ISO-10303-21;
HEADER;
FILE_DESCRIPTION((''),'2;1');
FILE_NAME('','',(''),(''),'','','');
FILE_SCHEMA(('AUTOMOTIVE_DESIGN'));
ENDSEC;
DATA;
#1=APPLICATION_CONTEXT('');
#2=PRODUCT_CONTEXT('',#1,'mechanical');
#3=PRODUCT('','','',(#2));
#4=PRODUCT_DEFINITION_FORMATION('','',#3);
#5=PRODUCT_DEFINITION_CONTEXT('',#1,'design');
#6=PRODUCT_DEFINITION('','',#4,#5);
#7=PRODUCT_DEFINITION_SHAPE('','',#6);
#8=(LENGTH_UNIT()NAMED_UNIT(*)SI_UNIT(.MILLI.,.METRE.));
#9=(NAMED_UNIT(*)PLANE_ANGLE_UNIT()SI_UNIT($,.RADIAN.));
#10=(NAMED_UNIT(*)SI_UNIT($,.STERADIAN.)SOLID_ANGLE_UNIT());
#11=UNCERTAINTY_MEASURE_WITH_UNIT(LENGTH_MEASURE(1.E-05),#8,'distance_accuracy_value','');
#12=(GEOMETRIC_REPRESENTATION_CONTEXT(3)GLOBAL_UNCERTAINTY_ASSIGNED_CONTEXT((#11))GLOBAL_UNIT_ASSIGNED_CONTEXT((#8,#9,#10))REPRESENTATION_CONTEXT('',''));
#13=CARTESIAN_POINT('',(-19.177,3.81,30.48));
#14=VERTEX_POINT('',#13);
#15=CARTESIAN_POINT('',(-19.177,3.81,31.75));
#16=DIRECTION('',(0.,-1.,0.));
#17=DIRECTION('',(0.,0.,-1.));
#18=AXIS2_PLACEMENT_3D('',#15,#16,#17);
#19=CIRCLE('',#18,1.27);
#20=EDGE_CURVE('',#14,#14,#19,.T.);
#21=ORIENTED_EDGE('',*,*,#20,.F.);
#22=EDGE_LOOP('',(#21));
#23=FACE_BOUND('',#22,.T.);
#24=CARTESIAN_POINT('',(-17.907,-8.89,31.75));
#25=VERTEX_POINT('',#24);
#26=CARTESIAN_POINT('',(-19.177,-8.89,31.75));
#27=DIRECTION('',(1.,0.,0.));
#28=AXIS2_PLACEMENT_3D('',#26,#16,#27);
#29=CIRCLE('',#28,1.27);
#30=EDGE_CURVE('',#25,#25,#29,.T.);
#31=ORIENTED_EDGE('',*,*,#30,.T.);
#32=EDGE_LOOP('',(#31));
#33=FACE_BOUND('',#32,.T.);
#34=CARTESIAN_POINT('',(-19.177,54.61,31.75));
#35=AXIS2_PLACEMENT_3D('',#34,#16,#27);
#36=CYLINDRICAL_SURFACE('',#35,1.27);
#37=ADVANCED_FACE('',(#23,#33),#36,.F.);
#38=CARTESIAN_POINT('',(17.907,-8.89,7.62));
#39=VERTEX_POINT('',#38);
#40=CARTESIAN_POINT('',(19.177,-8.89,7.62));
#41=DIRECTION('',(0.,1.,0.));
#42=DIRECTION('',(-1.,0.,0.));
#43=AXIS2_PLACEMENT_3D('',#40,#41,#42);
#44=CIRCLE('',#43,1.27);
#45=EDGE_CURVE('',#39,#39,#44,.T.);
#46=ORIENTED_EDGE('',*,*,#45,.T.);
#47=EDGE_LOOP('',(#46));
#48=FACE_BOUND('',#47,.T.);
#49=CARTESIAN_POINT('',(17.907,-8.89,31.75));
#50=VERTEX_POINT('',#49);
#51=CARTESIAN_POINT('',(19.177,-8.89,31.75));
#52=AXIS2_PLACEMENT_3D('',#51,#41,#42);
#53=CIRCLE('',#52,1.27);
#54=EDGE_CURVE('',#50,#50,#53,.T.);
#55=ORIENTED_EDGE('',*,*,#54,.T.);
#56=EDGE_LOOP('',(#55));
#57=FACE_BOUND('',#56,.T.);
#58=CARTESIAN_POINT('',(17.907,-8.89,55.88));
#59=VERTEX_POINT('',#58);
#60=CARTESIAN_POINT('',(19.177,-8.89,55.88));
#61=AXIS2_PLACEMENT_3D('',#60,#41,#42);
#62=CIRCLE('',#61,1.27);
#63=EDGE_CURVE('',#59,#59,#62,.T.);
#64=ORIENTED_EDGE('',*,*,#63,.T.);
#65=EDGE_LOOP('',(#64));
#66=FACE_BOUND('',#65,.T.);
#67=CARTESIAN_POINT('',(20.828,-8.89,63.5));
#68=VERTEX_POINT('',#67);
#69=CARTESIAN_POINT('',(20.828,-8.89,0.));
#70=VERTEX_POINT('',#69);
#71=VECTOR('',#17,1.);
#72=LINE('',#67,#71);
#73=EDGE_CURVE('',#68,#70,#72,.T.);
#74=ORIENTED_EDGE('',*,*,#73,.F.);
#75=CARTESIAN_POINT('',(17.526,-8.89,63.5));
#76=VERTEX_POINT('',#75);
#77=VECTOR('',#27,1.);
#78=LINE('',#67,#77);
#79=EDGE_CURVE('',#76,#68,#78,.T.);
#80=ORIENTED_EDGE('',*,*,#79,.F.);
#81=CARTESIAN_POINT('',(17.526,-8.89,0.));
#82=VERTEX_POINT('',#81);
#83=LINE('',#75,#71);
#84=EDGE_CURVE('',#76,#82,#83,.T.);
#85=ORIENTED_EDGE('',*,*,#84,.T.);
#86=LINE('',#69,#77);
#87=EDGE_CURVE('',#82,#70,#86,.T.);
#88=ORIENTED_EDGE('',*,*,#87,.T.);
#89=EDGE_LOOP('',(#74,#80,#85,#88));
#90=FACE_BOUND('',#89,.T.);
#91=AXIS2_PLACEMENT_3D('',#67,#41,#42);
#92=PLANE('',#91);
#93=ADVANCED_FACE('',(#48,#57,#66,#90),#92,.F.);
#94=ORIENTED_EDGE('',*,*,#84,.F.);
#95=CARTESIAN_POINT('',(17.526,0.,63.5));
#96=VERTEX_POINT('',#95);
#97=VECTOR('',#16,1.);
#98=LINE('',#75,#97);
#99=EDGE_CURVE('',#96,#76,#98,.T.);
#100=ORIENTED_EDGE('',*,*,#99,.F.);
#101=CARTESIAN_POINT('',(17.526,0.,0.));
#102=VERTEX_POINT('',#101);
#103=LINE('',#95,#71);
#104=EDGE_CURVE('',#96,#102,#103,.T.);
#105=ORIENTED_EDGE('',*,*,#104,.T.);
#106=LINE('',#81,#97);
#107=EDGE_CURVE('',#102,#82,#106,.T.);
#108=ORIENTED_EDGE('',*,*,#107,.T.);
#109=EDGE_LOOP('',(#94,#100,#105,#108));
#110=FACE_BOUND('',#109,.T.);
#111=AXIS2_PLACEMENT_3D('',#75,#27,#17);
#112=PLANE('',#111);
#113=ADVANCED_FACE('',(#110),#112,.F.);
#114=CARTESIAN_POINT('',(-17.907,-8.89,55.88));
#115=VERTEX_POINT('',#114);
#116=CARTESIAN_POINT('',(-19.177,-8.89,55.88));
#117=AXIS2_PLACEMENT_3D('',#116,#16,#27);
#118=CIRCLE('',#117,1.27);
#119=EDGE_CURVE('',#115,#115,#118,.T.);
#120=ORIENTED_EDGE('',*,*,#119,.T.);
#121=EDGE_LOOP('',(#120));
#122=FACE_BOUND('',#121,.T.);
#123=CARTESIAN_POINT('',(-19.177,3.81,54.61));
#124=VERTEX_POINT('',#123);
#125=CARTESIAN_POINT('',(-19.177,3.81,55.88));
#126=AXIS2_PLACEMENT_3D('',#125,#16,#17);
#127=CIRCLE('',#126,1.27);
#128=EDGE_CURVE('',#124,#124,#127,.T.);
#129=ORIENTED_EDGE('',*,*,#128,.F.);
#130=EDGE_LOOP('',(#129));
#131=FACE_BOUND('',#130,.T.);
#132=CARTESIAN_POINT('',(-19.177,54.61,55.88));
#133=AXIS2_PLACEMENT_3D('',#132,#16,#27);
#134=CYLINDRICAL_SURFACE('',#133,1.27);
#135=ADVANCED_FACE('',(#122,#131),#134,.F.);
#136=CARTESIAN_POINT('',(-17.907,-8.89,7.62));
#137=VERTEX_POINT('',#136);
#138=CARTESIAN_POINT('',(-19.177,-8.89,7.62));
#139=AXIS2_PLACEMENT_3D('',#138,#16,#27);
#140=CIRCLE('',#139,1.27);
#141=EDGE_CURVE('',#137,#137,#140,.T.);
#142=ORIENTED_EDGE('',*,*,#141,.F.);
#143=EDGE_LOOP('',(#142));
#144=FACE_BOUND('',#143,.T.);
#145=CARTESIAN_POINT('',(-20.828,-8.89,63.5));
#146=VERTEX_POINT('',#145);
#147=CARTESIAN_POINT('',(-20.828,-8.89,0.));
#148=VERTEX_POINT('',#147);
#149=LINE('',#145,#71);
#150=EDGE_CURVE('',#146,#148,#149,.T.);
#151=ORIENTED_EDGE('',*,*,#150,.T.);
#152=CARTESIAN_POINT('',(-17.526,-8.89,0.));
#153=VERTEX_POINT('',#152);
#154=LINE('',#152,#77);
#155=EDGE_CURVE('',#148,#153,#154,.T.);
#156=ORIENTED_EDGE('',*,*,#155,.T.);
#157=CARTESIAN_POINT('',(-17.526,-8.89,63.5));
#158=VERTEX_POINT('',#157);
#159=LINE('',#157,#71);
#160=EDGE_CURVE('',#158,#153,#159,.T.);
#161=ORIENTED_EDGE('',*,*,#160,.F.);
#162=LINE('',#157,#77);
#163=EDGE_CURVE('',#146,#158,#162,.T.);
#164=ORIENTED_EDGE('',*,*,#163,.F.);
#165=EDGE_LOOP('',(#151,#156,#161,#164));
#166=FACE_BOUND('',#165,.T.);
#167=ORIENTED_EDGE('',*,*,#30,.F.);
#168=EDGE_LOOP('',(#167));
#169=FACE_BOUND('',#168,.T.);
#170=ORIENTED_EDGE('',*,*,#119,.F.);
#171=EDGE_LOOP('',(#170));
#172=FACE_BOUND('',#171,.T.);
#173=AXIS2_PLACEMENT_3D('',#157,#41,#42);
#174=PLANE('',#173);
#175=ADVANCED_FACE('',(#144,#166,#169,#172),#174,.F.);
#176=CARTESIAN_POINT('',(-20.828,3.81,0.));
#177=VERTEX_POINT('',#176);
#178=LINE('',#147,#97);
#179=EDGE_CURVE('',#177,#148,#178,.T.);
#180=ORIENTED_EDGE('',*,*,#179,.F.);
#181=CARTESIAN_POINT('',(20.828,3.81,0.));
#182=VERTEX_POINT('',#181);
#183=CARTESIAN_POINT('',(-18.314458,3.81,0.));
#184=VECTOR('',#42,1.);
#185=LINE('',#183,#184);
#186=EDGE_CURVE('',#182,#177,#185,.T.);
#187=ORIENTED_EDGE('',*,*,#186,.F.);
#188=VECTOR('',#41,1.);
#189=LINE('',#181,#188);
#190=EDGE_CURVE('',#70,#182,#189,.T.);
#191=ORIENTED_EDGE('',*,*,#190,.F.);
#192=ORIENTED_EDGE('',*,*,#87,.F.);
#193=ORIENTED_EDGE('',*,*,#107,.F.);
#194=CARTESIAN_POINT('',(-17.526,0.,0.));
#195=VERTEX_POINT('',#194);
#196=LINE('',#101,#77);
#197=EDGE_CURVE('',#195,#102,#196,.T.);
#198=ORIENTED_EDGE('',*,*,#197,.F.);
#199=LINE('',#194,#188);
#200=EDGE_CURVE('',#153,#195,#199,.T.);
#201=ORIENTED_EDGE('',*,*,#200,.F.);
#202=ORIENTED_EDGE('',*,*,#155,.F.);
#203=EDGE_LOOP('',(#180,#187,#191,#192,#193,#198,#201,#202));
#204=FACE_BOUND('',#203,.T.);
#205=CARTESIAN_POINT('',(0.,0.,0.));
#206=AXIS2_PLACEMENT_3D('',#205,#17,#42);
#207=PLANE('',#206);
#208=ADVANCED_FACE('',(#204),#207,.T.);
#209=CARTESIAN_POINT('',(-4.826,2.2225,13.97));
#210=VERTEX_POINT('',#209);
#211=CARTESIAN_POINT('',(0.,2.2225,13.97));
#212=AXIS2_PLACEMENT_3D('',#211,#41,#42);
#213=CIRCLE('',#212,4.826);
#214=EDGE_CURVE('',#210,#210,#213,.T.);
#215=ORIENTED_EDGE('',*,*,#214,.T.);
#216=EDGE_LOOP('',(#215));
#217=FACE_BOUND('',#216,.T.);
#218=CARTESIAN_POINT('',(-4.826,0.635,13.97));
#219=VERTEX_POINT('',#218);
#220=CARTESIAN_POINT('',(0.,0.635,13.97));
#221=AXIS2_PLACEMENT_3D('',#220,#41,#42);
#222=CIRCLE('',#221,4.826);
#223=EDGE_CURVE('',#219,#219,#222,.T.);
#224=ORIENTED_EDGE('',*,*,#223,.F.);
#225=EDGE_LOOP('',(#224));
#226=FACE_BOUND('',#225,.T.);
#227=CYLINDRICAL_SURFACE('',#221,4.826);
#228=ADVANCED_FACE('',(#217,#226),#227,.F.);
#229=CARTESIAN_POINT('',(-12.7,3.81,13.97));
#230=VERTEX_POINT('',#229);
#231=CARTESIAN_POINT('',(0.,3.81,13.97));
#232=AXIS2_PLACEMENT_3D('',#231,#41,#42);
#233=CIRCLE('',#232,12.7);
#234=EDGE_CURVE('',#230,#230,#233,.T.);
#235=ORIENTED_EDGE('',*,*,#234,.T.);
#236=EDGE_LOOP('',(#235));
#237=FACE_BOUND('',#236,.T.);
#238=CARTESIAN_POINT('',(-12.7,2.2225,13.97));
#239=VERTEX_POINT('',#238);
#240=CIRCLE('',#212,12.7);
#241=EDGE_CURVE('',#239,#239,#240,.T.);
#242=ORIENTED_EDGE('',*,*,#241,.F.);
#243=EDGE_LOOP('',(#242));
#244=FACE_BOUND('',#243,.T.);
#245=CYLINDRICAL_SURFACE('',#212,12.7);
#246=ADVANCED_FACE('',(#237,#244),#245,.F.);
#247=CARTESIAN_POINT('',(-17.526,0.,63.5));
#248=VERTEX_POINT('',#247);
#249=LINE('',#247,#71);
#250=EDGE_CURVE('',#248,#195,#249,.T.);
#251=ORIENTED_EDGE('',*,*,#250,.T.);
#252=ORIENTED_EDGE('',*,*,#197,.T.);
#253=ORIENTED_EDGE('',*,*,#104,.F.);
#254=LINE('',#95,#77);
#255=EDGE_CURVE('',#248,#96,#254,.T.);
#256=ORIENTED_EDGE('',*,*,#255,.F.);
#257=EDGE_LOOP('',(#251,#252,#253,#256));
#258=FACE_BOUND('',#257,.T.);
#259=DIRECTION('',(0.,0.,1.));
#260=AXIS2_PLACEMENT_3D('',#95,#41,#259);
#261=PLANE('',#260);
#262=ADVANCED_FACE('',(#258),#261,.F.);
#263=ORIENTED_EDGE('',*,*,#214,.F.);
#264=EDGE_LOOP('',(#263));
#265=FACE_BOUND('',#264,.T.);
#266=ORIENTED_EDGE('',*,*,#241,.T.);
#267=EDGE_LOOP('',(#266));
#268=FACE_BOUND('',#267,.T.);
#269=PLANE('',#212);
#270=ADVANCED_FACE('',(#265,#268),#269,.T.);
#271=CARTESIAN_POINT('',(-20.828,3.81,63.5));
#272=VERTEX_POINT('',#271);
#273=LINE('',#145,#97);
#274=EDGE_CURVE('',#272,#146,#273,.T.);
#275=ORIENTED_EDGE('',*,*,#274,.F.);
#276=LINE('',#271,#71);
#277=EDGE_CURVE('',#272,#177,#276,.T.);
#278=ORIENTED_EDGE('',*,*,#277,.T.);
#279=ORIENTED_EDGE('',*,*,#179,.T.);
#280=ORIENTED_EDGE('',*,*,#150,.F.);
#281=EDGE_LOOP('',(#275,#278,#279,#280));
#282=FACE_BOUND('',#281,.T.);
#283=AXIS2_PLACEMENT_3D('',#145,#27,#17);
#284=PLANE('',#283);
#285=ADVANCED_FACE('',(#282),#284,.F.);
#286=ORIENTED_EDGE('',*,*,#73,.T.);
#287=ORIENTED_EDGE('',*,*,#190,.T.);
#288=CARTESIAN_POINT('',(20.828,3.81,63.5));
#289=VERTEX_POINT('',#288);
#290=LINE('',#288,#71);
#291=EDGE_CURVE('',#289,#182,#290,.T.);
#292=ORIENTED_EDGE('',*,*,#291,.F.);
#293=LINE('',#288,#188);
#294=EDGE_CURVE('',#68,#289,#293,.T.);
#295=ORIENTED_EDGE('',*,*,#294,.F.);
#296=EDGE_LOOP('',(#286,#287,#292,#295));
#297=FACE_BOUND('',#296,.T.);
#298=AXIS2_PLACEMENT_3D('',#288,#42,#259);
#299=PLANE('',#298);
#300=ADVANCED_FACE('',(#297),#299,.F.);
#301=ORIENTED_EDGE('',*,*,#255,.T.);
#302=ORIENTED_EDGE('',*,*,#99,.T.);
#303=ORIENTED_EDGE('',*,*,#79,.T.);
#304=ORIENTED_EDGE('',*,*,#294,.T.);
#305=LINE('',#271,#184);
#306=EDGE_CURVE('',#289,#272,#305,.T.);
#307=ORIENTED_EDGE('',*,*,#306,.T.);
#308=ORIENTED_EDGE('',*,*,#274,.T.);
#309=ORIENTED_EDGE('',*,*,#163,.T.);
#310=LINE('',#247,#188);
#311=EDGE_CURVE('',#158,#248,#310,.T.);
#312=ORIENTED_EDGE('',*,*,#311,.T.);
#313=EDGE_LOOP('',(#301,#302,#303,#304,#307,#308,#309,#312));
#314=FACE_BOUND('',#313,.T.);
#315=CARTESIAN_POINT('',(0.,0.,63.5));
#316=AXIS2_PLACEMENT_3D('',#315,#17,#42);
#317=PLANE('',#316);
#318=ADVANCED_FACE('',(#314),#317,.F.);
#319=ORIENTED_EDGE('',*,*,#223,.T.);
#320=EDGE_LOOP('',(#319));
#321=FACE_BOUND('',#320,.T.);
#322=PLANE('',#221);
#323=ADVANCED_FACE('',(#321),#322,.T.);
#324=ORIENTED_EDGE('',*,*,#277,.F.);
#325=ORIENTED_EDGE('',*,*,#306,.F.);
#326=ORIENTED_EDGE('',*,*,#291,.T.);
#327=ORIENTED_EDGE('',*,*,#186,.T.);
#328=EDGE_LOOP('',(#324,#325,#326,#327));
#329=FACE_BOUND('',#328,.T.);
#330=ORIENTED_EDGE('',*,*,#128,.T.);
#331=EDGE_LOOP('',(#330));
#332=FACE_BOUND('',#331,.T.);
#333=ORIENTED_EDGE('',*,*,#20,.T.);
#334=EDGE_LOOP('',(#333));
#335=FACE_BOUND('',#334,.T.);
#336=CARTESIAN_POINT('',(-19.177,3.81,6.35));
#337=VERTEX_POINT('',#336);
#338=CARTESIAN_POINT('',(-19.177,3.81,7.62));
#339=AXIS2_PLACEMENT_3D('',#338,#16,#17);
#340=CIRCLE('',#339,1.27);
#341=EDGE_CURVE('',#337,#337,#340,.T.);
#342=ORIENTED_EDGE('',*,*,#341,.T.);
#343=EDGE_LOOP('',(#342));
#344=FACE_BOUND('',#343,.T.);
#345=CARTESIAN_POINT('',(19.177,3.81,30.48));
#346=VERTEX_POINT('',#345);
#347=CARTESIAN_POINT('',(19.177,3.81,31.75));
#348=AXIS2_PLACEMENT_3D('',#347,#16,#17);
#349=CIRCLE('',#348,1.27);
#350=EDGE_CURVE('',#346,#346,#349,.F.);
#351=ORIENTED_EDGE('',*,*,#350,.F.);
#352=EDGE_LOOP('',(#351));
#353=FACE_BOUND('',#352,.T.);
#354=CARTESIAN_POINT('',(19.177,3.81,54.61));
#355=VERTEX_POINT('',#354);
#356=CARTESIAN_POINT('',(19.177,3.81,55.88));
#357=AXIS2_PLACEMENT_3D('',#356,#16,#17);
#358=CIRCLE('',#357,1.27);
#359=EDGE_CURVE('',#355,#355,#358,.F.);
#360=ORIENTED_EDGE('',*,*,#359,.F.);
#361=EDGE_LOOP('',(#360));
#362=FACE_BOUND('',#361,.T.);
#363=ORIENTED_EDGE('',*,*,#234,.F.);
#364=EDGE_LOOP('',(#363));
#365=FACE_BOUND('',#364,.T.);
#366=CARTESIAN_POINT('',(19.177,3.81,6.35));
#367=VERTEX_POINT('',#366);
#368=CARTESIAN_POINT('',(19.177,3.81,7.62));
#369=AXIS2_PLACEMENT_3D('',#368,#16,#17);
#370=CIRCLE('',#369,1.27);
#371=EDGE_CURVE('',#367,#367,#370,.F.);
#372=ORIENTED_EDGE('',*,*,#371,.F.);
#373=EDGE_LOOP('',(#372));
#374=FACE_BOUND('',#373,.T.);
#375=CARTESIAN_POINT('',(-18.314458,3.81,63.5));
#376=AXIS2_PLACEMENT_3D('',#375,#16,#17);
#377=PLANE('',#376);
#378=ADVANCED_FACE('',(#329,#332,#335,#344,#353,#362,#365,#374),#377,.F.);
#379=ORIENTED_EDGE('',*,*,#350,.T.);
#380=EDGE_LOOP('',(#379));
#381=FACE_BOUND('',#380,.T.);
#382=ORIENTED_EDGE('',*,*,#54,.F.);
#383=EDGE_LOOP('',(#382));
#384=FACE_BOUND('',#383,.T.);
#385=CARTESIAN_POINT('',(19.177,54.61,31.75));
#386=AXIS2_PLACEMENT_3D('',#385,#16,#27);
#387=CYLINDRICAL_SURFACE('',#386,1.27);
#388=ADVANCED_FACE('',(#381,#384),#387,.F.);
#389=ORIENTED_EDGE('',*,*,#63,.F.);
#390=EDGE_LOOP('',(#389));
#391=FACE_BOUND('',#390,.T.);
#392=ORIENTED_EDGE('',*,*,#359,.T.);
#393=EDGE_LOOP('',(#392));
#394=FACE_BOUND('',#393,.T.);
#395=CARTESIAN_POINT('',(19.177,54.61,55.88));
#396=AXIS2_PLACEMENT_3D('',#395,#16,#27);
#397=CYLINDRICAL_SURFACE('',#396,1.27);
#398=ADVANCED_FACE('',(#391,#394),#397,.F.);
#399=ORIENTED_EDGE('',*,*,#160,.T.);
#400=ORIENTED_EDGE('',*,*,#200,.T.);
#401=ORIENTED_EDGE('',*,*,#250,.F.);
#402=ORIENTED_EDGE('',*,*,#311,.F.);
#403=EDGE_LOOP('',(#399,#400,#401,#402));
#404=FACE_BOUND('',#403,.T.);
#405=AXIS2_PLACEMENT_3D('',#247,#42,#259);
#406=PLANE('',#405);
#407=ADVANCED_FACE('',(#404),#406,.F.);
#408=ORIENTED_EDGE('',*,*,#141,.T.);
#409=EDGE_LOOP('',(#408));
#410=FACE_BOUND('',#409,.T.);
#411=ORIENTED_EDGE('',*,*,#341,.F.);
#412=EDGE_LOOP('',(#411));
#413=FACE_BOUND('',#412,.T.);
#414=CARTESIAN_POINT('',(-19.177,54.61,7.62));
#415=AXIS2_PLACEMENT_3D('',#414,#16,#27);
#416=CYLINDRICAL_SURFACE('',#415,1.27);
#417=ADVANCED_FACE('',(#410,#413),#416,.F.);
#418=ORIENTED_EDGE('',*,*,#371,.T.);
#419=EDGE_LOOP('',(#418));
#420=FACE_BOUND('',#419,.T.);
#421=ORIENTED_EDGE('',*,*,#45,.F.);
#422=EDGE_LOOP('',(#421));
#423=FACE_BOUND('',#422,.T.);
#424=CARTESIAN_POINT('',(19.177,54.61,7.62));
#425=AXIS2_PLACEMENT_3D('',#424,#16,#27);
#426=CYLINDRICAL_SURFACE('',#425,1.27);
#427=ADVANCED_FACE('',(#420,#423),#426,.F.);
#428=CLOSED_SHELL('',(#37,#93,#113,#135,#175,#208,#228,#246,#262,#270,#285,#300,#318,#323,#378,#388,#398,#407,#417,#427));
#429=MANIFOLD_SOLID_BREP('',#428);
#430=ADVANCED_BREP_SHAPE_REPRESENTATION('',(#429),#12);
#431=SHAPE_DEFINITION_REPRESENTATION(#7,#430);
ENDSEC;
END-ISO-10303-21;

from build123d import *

# Parameters (mm, degrees)
BOSS_EXTRUDE1_DEPTH = 63.5
SKETCH4_R           = 1.27
CUT_EXTRUDE2_DEPTH  = 63.5
SKETCH6_R           = 12.7
CUT_EXTRUDE7_DEPTH  = 1.5875
SKETCH8_R           = 4.826
CUT_EXTRUDE8_DEPTH  = 1.5875


with BuildPart() as part:
    # Sketch2 → Boss-Extrude1 (new body)
    with BuildSketch(Plane.XY):
        Polygon((-18.314458333, 3.81), (20.828, 3.81), (20.828, -8.89), (17.526, -8.89), (17.526, 0), (-17.526, 0), (-17.526, -8.89), (-20.828, -8.89), (-20.828, 3.81), align=None)
    extrude(amount=BOSS_EXTRUDE1_DEPTH)

    # Sketch4 → Cut-Extrude2 (cut)
    with BuildSketch(Plane.XZ.offset(8.89)):
        with Locations((-19.177, 7.62)):
            Circle(SKETCH4_R)
        with Locations((-19.177, 55.88)):
            Circle(SKETCH4_R)
        with Locations((-19.177, 31.75)):
            Circle(SKETCH4_R)
    cut_extrude2 = extrude(amount=-CUT_EXTRUDE2_DEPTH, mode=Mode.SUBTRACT)

    # Mirror1: Cut-Extrude2 across plane
    add(cut_extrude2.mirror(Plane(origin=(0, 0, 0), x_dir=(0, 0, 1), z_dir=(1, 0, 0))), mode=Mode.SUBTRACT)

    # Sketch6 → Cut-Extrude7 (cut)
    with BuildSketch(Plane(origin=(0, 3.81, 0), x_dir=(1, 0, 0), z_dir=(0, 1, 0))):
        with Locations((0, -13.97)):
            Circle(SKETCH6_R)
    extrude(amount=-CUT_EXTRUDE7_DEPTH, mode=Mode.SUBTRACT)

    # Sketch8 → Cut-Extrude8 (cut)
    with BuildSketch(Plane(origin=(0, 2.2225, 0), x_dir=(1, 0, 0), z_dir=(0, 1, 0))):
        with Locations((0, -13.97)):
            Circle(SKETCH8_R)
    extrude(amount=-CUT_EXTRUDE8_DEPTH, mode=Mode.SUBTRACT)


solid = part.part
